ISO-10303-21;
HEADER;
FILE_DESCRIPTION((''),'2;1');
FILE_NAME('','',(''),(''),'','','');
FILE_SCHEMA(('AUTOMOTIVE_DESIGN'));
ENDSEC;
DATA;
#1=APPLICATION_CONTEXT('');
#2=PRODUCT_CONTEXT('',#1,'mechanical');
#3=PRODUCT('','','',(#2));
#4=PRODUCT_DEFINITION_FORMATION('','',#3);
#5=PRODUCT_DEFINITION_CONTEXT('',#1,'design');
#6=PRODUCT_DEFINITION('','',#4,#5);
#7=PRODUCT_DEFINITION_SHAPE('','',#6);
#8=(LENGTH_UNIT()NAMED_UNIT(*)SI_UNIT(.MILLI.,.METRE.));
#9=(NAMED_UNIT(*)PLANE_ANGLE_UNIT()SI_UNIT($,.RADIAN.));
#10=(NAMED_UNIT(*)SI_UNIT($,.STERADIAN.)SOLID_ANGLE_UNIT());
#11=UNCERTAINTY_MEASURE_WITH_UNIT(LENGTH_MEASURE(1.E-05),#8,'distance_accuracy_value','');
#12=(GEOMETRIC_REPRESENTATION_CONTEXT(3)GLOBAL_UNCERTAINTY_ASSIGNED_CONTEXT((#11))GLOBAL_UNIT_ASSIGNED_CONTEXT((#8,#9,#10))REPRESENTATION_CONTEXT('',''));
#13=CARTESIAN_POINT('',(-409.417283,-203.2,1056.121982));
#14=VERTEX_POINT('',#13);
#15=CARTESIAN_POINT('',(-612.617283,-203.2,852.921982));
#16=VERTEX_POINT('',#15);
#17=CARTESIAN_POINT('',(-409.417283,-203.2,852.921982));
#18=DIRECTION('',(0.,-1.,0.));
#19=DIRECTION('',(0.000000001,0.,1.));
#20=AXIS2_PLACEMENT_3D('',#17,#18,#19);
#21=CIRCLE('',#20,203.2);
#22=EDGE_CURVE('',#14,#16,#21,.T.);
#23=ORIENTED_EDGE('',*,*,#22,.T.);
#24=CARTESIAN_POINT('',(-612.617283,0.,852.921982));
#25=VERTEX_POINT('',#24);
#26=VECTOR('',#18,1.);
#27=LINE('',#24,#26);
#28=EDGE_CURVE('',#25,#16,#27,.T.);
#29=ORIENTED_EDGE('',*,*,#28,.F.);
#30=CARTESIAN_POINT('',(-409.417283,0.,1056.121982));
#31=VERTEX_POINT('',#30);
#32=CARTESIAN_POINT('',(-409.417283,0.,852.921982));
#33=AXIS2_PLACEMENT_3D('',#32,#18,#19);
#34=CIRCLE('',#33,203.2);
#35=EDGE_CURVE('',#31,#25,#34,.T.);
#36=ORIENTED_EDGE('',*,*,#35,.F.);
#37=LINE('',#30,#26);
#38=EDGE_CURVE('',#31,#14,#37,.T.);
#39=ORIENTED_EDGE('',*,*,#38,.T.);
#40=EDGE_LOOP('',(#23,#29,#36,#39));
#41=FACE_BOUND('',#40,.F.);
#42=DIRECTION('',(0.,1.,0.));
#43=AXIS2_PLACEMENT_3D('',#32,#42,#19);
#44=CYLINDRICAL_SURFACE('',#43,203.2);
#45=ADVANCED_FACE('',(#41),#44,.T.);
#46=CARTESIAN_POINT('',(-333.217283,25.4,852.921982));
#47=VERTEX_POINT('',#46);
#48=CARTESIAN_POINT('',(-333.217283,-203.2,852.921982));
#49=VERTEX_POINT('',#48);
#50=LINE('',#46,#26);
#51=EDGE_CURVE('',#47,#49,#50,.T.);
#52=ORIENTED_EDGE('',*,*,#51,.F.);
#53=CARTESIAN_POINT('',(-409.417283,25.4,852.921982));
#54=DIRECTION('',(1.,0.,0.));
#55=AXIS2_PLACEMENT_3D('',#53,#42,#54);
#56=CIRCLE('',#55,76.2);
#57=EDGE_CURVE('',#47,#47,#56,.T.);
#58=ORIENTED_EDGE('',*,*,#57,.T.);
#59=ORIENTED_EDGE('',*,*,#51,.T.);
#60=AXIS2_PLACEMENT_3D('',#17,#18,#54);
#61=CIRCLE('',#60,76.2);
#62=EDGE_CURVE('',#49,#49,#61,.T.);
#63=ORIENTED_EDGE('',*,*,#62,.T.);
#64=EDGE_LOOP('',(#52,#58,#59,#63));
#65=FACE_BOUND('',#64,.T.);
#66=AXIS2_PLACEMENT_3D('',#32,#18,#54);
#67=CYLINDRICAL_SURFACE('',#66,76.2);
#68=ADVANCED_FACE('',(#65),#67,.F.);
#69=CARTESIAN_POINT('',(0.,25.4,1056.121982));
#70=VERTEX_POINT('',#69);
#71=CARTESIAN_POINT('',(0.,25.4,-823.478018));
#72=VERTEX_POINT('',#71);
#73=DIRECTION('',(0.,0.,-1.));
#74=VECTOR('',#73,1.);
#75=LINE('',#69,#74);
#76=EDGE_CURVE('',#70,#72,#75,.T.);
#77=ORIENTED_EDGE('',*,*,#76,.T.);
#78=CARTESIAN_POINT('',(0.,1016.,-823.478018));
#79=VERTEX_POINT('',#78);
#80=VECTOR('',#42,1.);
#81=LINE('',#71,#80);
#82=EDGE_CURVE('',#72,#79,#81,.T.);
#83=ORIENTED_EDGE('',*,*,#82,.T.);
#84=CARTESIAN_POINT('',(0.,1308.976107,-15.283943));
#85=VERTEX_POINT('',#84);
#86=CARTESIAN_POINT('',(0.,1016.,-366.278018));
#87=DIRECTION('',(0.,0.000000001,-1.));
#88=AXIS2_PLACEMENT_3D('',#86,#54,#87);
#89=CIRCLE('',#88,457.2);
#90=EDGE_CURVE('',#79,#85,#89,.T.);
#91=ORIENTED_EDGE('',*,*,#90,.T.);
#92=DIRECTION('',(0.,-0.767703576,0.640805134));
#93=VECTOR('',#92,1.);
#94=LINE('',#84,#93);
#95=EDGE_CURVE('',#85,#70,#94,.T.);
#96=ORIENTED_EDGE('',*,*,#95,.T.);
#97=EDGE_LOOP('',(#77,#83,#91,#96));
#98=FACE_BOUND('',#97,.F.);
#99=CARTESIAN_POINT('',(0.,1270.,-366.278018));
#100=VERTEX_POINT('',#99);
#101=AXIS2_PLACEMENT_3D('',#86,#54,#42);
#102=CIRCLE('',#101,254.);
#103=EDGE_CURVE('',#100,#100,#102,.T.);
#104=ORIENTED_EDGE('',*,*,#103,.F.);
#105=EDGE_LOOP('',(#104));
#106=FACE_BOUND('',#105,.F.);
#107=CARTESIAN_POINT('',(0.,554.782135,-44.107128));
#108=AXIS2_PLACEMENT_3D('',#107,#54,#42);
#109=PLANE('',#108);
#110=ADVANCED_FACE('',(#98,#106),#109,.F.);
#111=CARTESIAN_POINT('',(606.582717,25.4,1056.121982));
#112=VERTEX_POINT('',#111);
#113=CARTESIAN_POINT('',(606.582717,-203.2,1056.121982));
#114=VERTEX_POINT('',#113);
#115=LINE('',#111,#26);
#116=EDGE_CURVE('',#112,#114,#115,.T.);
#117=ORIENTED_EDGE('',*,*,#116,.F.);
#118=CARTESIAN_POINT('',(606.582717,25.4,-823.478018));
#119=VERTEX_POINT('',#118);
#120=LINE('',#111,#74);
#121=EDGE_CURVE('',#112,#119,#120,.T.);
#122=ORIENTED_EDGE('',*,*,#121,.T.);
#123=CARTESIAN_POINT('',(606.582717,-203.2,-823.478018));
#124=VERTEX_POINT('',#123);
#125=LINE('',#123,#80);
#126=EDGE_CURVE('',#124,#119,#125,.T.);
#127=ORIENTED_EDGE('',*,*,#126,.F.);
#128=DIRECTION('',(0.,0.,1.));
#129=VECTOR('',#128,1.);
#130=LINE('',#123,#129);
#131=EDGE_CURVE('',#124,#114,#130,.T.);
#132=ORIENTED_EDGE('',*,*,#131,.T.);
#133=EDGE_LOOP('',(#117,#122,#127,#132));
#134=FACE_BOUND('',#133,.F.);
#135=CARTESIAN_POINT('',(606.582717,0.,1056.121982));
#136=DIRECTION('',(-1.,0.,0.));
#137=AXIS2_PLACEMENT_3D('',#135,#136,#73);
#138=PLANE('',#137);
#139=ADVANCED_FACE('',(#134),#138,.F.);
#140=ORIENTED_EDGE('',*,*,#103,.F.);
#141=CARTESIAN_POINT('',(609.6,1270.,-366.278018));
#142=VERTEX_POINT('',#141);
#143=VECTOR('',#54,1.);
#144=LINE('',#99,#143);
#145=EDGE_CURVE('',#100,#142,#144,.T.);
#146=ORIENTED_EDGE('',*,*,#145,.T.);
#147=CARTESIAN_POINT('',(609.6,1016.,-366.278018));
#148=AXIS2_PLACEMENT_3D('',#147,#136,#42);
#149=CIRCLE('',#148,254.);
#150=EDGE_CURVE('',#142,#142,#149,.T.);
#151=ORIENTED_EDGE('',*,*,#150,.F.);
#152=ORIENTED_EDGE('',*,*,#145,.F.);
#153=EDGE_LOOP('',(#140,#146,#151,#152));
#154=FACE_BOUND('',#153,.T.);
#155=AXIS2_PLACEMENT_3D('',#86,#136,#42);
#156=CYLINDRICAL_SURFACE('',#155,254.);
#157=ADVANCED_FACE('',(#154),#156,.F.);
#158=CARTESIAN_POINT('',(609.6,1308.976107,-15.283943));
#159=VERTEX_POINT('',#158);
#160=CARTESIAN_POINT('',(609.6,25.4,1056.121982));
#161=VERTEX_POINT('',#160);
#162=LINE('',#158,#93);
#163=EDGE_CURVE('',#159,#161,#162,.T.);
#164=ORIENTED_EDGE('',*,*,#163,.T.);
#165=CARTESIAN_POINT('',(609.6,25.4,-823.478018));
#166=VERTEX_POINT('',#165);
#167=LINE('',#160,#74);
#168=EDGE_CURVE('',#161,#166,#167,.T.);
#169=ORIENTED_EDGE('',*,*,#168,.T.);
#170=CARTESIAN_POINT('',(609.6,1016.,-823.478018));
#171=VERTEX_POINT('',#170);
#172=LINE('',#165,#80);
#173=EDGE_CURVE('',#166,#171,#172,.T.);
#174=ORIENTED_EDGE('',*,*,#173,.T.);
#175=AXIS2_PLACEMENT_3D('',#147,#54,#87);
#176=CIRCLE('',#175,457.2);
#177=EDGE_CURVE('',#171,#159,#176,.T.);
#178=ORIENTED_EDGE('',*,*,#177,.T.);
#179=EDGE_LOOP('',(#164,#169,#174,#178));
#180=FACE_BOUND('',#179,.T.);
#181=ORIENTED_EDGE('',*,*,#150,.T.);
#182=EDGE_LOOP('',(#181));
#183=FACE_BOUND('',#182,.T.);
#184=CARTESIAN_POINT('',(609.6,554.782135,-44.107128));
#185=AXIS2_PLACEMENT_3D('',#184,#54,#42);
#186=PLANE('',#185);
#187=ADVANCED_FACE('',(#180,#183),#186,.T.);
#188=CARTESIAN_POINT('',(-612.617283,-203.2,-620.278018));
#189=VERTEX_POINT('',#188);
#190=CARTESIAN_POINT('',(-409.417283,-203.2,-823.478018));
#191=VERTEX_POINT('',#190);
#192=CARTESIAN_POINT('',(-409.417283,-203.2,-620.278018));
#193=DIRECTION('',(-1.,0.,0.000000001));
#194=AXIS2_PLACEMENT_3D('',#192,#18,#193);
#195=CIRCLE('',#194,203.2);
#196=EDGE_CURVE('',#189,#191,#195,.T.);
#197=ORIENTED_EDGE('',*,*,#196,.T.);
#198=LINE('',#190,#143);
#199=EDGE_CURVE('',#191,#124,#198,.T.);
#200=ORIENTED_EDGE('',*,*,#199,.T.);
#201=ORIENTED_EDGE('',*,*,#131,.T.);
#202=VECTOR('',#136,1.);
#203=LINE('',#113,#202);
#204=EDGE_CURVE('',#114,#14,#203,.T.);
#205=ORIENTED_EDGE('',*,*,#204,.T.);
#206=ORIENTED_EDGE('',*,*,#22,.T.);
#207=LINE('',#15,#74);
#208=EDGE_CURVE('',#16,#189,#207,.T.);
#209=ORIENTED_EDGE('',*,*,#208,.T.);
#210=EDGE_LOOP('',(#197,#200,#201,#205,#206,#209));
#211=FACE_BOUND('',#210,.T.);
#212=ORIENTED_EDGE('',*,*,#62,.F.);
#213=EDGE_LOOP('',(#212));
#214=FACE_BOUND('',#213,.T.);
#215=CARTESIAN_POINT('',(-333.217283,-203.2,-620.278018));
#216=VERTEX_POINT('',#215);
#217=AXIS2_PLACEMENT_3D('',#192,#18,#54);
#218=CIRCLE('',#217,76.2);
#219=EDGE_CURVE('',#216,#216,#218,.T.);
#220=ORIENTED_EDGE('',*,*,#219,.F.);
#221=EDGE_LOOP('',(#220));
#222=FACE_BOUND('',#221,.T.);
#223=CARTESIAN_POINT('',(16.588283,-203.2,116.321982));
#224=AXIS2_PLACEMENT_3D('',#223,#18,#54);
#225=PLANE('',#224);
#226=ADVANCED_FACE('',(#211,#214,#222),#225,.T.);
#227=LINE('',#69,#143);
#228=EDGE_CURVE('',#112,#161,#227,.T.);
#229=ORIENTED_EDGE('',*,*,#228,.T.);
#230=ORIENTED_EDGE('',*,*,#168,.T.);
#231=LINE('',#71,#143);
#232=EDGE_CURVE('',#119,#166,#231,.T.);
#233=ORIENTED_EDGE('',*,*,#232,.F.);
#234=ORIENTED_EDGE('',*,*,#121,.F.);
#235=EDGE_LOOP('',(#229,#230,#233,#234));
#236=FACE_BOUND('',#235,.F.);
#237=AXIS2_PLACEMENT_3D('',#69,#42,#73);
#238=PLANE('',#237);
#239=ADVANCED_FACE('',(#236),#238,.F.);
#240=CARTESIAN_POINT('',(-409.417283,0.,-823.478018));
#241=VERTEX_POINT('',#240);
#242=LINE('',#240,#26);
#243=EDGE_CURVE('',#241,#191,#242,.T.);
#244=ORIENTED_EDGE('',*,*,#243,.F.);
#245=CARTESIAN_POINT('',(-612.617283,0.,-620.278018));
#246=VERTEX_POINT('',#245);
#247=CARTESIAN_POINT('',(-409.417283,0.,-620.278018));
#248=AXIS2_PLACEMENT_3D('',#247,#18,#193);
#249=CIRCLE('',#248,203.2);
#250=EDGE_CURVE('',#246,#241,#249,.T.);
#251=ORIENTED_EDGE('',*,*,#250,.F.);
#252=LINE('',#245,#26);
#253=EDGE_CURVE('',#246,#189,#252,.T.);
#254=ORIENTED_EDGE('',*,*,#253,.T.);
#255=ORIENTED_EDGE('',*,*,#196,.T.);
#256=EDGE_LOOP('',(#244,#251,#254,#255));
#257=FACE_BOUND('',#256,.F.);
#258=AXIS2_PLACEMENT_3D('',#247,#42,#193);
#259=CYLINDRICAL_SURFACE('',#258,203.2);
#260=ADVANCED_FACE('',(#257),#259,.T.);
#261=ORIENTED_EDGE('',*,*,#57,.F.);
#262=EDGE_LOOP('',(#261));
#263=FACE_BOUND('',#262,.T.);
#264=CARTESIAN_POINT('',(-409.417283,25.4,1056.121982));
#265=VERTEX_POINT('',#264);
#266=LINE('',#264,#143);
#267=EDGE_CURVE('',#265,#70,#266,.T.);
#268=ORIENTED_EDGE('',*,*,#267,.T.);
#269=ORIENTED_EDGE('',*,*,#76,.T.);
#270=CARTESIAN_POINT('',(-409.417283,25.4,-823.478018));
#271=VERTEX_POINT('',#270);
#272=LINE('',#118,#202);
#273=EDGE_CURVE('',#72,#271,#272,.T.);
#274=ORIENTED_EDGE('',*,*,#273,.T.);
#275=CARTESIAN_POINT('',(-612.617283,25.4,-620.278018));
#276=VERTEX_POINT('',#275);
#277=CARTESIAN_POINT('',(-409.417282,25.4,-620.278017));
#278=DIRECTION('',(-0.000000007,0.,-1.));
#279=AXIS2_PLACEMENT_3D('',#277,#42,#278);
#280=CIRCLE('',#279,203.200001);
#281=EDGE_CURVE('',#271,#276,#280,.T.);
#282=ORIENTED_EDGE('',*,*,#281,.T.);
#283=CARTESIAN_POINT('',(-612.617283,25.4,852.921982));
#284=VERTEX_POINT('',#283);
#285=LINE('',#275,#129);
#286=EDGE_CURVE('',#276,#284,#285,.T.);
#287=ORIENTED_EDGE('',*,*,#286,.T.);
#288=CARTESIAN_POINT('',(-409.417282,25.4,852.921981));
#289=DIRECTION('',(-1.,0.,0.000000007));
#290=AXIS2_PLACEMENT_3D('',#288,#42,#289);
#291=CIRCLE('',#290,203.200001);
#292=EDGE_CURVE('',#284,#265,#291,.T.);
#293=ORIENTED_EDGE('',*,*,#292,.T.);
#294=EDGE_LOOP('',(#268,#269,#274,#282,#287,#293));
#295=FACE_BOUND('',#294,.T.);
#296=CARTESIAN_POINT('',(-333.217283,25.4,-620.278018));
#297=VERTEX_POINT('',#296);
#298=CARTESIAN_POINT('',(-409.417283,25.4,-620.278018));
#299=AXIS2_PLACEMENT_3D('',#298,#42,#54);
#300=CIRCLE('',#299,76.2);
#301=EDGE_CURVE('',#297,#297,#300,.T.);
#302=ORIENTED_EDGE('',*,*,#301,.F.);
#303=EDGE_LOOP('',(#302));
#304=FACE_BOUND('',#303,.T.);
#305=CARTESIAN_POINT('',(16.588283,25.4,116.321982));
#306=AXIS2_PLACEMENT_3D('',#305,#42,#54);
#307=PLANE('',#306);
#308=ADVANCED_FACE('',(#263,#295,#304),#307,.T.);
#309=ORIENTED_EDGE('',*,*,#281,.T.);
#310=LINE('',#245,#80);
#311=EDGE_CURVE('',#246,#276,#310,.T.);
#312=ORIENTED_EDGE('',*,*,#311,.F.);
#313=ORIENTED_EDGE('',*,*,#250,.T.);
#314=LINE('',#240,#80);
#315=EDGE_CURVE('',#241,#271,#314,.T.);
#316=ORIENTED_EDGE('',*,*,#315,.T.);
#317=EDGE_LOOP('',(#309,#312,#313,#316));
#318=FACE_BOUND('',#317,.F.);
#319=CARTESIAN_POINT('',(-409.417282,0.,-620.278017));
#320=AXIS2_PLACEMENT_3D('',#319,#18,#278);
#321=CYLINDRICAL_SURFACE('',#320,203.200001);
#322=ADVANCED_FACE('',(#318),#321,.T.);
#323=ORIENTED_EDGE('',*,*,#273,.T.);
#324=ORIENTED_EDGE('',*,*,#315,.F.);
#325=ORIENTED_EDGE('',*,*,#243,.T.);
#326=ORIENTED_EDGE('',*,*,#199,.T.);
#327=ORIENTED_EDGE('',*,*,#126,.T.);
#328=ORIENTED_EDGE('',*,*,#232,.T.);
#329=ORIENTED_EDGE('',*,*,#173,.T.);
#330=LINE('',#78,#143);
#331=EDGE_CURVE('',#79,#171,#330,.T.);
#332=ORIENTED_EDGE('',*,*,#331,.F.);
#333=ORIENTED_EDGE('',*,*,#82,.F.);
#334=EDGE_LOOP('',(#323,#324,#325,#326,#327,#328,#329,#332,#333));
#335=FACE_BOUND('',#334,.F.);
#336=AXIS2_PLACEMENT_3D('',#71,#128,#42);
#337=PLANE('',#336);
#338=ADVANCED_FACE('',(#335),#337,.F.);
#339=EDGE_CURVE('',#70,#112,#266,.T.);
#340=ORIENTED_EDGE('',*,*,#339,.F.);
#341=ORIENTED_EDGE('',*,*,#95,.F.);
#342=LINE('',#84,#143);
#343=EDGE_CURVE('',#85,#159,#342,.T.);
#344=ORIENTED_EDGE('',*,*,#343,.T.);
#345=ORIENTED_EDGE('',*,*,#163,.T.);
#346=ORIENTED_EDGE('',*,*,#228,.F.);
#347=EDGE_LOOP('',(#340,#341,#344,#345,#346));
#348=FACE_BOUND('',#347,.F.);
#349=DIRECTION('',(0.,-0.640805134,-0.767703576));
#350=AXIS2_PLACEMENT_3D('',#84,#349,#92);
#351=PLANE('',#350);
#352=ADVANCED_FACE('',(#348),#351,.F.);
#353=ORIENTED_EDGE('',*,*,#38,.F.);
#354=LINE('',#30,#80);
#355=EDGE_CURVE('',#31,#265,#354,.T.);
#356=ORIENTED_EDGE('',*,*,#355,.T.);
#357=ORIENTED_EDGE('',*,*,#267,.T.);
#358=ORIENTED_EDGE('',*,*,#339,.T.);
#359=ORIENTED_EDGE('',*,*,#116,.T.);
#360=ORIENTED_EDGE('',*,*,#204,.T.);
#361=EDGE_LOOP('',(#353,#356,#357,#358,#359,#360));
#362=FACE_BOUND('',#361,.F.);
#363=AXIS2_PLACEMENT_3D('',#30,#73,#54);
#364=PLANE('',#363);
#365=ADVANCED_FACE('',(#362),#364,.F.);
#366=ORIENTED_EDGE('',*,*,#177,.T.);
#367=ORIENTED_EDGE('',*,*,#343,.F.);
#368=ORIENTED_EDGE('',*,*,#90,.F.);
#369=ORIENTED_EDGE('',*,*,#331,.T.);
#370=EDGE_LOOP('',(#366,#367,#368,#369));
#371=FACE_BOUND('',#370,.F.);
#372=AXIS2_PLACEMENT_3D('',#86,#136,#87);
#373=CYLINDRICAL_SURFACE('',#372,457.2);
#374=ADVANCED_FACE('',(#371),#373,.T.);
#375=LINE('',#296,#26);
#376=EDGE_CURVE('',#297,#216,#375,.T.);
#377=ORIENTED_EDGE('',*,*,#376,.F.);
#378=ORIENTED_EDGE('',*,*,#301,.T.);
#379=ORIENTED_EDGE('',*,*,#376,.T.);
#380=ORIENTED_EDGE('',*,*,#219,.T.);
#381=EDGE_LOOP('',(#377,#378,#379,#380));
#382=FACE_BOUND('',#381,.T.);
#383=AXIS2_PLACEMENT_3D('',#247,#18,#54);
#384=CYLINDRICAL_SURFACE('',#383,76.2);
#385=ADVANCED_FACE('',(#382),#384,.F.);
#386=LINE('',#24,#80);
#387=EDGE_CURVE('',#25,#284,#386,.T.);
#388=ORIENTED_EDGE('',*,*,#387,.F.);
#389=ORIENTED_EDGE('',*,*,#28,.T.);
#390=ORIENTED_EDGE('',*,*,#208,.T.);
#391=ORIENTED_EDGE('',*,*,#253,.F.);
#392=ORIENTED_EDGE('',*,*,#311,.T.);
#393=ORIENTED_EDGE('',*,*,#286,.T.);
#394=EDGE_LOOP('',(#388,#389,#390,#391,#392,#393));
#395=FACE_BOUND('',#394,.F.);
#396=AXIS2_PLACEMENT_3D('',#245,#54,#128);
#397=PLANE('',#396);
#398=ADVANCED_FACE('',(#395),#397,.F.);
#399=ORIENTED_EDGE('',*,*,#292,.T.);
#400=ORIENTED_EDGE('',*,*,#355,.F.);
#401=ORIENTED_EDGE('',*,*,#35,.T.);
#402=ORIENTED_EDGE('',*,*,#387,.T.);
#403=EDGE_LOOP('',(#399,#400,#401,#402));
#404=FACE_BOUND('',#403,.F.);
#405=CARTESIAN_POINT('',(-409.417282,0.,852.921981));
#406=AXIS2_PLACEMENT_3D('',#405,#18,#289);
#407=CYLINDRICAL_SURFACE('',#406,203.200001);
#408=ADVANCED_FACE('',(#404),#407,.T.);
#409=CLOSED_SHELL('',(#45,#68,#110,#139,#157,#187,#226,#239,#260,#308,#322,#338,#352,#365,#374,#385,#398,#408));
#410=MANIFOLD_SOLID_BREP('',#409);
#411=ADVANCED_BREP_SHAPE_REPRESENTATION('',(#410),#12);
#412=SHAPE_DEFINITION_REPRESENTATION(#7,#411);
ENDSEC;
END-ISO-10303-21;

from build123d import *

# Parameters (mm, degrees)
F0_R      = 76.2
F1_DEPTH  = 203.2
F1_FACE_R = 76.2
F2_DEPTH  = 25.4
F5_DEPTH  = 609.6
F6_R      = 254
F7_DEPTH  = 1488.44


with BuildPart() as f1:
    # F0 (on Front) → F1 (new body)
    with BuildSketch(Plane.XZ):
        with BuildLine():
            Line((606.582717, -823.478018), (606.582717, 1056.121982))
            Line((606.582717, 1056.121982), (-409.417283, 1056.121982))
            ThreePointArc((-409.417283, 1056.121982), (-553.101381, 996.60608), (-612.617283, 852.921982))
            Line((-612.617283, 852.921982), (-612.617283, -620.278018))
            ThreePointArc((-612.617283, -620.278018), (-553.101381, -763.962116), (-409.417283, -823.478018))
            Line((-409.417283, -823.478018), (606.582717, -823.478018))
        make_face()
        with Locations((-409.417283, -620.278018)):
            Circle(F0_R, mode=Mode.SUBTRACT)
        with Locations((-409.417283, 852.921982)):
            Circle(F0_R, mode=Mode.SUBTRACT)
    extrude(amount=F1_DEPTH)

    # F1_face (on face) → F2 (join)
    with BuildSketch(Plane(origin=(8.078428, 0, 116.321982), x_dir=(1, 0, 0), z_dir=(0, 1, 0))):
        with BuildLine():
            Line((598.504289, -939.8), (598.504289, 939.8))
            Line((598.504289, 939.8), (-417.495711, 939.8))
            ThreePointArc((-417.495711, 939.8), (-561.179808, 880.284098), (-620.695711, 736.6))
            Line((-620.695711, 736.6), (-620.695711, -736.6))
            ThreePointArc((-620.695711, -736.6), (-561.179808, -880.284098), (-417.495711, -939.8))
            Line((-417.495711, -939.8), (598.504289, -939.8))
        make_face()
        with Locations((-417.495711, 736.6)):
            Circle(F1_FACE_R, mode=Mode.SUBTRACT)
        with Locations((-417.495711, -736.6)):
            Circle(F1_FACE_R, mode=Mode.SUBTRACT)
    extrude(amount=F2_DEPTH)

    # F4 (on Right) → F5 (join)
    with BuildSketch(Plane.YZ):
        with BuildLine():
            Line((25.4, -823.478018), (1016, -823.478018))
            ThreePointArc((1016, -823.478018), (1445.829228, -522.094174), (1308.976107, -15.283943))
            Line((1308.976107, -15.283943), (25.4, 1056.121982))
            Line((25.4, 1056.121982), (25.4, -823.478018))
        make_face()
    extrude(amount=F5_DEPTH)

    # F6 (on face) → F7 (cut)
    with BuildSketch(Plane.YZ):
        with Locations((1016, -366.278018)):
            Circle(F6_R)
    extrude(amount=F7_DEPTH, mode=Mode.SUBTRACT)


solid = f1.part
